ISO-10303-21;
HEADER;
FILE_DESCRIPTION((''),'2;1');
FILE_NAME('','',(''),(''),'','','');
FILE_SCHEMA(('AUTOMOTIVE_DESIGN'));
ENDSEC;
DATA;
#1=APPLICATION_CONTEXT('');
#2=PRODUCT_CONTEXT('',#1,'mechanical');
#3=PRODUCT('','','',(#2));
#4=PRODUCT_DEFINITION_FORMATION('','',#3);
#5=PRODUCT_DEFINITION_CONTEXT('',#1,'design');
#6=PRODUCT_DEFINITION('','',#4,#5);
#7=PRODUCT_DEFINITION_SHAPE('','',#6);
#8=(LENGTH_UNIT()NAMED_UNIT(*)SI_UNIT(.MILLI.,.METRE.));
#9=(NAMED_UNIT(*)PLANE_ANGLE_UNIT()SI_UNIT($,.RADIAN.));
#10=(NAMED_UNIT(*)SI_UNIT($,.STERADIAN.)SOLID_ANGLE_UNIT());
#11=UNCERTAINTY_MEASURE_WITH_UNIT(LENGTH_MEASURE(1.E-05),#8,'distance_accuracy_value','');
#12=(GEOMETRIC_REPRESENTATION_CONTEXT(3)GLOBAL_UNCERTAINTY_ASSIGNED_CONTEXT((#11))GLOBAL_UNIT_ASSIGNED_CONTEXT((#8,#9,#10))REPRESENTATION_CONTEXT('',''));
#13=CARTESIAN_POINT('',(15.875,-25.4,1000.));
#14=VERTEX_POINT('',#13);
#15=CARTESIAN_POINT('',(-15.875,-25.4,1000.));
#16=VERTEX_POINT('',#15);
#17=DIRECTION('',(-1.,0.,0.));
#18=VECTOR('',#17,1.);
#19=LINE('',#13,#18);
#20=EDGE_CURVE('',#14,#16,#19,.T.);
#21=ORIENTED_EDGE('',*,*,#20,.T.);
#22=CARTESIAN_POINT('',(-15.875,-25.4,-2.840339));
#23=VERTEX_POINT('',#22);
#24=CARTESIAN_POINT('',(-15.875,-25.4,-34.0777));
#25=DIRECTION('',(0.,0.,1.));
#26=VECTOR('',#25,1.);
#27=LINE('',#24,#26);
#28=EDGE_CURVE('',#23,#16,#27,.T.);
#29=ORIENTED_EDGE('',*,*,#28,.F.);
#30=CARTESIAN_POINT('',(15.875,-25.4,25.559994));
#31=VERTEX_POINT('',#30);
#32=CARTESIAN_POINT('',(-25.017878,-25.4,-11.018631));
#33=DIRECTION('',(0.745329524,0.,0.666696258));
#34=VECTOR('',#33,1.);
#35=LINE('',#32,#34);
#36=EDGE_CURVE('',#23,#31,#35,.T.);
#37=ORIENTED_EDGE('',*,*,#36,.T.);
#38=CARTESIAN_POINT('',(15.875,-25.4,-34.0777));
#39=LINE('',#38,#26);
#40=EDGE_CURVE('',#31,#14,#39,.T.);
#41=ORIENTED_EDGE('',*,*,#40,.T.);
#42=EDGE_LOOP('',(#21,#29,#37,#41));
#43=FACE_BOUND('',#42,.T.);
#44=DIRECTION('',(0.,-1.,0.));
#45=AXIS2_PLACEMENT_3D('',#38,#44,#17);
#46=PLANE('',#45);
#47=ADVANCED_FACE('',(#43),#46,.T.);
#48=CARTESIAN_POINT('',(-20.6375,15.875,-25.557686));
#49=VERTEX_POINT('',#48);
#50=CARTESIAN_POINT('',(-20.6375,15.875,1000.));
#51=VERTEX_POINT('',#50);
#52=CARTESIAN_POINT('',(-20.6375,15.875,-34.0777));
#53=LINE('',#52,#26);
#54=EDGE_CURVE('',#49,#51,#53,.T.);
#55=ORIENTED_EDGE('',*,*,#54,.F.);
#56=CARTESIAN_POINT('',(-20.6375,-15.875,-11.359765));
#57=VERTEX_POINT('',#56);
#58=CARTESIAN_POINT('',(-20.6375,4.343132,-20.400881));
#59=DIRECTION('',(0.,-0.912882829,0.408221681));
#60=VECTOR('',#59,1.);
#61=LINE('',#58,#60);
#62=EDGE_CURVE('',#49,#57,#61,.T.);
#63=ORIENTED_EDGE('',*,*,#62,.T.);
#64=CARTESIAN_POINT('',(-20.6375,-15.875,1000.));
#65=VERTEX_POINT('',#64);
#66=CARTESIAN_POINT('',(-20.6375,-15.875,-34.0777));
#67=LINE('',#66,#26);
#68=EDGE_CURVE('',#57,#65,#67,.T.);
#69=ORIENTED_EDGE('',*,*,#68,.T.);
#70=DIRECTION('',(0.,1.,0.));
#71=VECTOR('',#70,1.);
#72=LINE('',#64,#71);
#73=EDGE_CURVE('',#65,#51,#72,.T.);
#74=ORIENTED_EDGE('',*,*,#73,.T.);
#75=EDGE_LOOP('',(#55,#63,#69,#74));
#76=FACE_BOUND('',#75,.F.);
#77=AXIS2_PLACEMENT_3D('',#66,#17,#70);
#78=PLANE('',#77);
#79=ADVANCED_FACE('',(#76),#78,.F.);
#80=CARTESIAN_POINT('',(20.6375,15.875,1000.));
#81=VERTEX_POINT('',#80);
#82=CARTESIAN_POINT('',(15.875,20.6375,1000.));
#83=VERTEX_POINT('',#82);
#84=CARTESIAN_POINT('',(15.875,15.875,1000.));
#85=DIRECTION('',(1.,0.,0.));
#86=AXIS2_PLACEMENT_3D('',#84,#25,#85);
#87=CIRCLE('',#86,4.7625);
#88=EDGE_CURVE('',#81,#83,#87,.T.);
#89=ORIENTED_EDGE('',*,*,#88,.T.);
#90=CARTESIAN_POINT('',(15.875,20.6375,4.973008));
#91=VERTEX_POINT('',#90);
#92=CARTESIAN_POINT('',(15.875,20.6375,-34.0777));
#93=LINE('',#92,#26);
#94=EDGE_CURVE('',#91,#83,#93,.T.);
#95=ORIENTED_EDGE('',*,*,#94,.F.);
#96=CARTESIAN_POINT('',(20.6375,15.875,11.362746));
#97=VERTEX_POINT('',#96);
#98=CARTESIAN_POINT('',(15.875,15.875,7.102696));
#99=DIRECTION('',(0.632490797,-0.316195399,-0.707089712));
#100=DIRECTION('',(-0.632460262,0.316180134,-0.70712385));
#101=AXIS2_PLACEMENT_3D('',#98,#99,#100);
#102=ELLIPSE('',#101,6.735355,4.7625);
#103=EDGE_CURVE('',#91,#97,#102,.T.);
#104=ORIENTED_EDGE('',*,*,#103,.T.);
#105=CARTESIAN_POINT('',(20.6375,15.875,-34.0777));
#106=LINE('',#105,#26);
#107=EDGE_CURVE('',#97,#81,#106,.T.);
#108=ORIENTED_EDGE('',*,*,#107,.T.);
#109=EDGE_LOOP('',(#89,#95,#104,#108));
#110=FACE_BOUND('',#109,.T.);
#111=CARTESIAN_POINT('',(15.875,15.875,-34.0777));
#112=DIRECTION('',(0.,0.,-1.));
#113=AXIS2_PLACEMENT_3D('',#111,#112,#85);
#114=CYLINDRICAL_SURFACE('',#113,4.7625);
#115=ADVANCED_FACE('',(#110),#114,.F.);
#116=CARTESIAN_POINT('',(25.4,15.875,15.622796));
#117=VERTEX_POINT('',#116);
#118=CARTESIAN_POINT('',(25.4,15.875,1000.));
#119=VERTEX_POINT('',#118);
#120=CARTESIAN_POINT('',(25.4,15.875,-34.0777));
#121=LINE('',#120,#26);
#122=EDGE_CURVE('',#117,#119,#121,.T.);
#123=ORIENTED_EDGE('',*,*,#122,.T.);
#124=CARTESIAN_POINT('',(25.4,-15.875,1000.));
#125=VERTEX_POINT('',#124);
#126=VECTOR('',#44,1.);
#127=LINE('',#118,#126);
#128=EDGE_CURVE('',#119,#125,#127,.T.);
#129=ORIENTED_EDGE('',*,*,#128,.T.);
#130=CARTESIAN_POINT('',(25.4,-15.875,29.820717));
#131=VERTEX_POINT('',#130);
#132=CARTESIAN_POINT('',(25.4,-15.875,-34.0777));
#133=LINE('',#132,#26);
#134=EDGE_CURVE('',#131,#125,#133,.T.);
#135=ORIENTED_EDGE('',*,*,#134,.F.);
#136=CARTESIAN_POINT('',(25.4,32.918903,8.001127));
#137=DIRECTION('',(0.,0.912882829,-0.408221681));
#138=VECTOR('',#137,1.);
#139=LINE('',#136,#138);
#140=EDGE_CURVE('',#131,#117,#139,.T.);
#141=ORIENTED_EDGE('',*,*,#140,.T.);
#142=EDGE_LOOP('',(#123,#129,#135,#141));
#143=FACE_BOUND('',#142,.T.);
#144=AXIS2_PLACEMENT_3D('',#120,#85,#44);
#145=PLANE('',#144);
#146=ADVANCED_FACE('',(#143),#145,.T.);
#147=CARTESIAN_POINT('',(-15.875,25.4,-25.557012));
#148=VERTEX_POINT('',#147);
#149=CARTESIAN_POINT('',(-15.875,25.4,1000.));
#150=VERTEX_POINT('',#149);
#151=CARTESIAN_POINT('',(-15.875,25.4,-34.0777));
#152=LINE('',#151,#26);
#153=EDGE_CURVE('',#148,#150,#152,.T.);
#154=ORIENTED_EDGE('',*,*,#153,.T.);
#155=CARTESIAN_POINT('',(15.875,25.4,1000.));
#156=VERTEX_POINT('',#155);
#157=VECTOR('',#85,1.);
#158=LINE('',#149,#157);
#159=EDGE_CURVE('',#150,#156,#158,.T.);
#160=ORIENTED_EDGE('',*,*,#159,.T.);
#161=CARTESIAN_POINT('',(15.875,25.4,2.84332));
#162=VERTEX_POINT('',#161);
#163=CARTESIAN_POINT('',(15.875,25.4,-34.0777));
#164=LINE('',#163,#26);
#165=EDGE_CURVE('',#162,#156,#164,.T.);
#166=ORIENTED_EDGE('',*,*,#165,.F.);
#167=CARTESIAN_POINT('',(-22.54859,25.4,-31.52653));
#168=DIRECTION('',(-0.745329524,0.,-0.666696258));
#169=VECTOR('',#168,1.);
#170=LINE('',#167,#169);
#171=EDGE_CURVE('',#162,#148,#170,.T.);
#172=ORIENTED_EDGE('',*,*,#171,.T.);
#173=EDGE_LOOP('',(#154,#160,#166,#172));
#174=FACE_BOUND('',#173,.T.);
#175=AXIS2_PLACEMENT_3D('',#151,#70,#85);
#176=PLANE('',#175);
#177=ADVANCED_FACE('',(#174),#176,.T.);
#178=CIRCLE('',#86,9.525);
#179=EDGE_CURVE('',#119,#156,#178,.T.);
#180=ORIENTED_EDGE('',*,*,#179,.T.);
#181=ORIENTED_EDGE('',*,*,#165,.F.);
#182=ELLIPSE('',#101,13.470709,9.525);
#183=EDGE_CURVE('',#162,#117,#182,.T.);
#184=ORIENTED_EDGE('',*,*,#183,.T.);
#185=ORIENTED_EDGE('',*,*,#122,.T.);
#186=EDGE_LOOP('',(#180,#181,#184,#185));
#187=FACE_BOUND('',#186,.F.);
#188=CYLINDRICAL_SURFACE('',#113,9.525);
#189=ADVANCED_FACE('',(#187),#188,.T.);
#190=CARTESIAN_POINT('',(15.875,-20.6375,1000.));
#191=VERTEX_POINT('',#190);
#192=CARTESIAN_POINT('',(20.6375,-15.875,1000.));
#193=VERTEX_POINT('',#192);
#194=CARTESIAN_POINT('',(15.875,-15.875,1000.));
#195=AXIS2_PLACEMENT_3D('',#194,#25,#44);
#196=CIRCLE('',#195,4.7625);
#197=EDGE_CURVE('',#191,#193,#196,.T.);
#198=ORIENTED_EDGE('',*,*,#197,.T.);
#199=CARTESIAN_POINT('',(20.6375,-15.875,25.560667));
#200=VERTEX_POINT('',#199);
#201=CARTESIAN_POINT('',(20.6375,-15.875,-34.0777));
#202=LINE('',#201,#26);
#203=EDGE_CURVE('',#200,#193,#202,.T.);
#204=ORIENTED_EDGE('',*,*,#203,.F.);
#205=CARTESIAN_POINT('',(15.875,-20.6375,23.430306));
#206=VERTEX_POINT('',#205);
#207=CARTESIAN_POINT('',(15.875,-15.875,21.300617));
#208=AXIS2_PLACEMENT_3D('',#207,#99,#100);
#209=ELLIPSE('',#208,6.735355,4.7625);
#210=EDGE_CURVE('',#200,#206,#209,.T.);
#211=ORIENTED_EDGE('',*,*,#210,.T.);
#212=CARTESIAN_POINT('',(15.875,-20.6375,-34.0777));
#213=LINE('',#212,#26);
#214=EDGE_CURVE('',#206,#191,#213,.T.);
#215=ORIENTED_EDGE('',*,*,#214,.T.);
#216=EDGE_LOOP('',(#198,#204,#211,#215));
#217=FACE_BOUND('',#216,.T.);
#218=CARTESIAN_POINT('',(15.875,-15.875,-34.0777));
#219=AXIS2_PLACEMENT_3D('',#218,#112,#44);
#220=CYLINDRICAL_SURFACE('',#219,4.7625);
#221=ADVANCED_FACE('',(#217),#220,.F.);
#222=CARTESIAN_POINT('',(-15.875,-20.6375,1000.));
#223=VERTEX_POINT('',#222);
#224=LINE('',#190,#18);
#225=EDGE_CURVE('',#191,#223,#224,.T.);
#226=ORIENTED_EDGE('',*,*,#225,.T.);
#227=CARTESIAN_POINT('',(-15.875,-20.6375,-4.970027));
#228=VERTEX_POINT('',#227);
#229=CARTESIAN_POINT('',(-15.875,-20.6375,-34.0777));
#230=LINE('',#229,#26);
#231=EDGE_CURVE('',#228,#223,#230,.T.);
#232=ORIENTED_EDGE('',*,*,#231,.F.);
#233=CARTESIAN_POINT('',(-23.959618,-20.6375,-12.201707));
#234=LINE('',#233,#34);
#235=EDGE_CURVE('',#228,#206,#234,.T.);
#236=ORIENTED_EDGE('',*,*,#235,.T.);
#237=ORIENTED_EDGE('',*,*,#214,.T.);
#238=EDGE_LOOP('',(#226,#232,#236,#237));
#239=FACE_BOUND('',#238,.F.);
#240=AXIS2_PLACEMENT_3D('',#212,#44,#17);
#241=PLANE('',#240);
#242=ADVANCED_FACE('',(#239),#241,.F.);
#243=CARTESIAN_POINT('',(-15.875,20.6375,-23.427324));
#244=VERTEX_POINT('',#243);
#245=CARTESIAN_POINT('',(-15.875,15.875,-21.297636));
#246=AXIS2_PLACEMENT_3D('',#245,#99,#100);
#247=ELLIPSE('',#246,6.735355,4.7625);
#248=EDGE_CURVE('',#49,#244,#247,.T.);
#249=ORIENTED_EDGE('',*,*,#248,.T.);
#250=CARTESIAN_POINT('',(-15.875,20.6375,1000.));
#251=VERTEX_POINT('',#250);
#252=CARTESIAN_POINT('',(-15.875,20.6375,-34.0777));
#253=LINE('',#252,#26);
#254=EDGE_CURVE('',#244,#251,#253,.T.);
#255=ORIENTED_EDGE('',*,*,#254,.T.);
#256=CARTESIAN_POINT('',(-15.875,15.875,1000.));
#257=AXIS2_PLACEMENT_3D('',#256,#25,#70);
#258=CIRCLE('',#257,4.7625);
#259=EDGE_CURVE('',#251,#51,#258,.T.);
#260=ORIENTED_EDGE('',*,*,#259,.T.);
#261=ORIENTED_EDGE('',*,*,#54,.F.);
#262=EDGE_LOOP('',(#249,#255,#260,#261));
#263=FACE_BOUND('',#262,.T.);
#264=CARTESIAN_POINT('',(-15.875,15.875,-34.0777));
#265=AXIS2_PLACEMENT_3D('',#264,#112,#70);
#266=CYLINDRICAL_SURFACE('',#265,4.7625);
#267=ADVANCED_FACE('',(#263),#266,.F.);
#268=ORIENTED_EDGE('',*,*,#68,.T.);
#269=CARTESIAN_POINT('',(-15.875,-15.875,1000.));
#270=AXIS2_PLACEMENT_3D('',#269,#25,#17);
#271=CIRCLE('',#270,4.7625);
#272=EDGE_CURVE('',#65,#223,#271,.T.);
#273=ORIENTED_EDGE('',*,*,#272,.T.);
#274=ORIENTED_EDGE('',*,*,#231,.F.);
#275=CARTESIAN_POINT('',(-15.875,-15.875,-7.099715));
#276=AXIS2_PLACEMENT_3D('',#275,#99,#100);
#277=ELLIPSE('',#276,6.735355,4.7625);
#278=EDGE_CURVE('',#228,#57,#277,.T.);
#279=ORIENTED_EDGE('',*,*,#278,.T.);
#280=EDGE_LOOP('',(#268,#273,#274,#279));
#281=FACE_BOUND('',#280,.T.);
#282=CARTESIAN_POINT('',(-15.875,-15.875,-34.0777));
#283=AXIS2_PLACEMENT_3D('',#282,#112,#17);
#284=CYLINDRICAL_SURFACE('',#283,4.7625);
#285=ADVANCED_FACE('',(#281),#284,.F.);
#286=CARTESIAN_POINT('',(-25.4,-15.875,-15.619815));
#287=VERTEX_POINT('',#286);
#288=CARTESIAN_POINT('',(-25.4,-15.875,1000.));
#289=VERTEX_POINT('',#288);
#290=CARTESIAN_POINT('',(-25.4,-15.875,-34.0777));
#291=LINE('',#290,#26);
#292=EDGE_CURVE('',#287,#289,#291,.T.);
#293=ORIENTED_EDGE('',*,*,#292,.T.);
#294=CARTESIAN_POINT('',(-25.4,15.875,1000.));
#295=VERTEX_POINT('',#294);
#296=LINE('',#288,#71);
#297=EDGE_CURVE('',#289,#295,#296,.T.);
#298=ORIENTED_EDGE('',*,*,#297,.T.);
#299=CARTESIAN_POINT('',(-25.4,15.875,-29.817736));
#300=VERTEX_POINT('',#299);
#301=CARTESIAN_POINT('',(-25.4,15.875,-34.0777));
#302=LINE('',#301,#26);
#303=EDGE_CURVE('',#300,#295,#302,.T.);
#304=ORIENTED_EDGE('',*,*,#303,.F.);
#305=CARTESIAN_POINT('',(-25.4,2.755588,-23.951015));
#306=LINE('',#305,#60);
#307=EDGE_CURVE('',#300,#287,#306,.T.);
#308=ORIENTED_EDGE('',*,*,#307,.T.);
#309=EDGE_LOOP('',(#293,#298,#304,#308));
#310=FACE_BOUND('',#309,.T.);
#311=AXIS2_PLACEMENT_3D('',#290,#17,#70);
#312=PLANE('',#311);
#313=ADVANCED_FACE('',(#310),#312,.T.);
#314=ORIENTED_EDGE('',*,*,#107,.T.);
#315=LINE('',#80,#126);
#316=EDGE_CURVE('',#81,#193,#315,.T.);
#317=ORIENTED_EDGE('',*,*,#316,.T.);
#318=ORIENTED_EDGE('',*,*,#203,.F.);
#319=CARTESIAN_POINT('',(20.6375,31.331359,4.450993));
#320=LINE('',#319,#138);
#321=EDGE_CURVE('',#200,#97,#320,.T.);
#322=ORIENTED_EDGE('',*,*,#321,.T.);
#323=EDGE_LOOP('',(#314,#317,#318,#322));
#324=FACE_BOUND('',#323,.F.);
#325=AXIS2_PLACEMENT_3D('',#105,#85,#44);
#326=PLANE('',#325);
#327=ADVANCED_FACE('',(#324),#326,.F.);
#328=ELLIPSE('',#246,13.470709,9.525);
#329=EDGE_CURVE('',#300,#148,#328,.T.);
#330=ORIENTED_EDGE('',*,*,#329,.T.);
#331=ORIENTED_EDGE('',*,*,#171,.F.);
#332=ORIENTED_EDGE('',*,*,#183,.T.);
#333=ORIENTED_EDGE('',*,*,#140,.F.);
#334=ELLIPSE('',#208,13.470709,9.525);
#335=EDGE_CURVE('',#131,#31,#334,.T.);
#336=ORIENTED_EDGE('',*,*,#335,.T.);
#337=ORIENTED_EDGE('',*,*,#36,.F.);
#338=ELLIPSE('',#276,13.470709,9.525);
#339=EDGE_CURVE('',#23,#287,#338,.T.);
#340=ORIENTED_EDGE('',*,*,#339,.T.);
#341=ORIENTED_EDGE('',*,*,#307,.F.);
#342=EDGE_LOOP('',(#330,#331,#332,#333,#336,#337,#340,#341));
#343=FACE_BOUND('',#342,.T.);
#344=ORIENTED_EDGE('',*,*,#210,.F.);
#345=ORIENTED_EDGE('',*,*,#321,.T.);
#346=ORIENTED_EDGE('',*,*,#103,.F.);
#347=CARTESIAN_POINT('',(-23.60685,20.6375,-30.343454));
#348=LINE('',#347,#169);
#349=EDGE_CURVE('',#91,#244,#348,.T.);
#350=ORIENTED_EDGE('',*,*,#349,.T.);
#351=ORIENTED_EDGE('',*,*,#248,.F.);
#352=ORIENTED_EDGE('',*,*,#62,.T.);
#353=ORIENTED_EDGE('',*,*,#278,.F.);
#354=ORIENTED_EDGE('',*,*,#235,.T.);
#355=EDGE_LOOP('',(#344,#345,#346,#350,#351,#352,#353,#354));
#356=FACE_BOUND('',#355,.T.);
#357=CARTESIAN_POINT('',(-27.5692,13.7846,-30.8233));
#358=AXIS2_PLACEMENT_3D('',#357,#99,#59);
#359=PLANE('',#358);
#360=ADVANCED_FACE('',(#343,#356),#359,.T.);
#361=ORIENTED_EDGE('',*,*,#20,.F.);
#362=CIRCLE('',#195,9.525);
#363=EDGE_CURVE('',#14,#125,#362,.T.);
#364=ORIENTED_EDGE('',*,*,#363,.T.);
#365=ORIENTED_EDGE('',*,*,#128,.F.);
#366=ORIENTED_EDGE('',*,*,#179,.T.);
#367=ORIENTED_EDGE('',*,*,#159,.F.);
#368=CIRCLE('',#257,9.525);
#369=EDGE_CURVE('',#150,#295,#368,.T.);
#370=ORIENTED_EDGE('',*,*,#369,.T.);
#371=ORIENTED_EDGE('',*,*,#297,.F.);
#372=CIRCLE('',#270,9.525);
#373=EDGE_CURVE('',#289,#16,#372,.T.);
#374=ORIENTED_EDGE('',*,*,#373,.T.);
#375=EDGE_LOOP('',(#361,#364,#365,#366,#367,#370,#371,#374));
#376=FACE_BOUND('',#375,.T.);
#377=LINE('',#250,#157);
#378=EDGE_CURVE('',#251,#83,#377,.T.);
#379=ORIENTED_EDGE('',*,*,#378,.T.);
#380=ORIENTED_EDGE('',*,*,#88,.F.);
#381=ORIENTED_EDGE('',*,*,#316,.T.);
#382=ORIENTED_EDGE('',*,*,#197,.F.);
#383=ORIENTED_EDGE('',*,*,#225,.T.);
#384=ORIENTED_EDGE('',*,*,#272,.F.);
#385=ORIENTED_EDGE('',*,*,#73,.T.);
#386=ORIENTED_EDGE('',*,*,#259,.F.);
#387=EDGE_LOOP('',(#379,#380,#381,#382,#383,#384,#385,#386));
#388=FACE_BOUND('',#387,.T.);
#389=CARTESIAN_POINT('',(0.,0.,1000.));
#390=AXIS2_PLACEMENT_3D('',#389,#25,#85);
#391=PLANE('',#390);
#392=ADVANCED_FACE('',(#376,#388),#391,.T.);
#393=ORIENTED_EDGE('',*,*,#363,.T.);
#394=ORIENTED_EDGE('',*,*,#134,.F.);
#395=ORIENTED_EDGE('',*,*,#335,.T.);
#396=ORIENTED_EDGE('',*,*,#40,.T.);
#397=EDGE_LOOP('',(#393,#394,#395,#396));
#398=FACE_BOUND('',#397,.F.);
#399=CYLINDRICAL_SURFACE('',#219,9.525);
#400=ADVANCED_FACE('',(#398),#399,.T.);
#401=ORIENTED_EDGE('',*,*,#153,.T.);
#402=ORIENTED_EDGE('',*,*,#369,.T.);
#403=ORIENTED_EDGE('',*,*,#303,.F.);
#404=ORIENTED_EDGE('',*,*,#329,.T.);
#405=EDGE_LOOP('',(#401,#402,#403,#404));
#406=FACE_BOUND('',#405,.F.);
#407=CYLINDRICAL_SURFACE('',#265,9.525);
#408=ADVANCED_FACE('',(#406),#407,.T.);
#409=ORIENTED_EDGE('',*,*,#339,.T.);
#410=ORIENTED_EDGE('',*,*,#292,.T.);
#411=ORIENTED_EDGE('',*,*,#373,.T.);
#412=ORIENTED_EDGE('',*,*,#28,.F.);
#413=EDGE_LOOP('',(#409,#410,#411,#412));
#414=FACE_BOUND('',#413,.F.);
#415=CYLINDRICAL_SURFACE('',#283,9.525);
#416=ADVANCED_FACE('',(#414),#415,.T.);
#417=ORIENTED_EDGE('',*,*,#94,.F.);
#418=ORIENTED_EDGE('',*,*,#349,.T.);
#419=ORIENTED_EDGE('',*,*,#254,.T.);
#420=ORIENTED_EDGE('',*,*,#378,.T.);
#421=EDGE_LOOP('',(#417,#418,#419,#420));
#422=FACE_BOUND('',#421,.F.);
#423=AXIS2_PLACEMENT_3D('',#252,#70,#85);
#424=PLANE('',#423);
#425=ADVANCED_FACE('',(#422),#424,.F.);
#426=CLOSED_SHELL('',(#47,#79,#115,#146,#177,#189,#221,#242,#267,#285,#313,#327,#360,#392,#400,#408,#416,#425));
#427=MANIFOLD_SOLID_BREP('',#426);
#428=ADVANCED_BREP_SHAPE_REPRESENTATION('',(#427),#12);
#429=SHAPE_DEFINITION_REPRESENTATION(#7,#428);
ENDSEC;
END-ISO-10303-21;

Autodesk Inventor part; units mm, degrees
ref_plane "Plano inicial" through (0, 0, -34.0777) normal (0, 0, 1) x (1, 0, 0)
ref_plane "Plano final" through (0, 0, 1000) normal (0, 0, 1) x (1, 0, 0)
sketch "Esboço" plane through (0, 0, 0) normal (0, 0, 1) x (1, 0, 0)
  line L0 (-25.4, -15.875) -> (-25.4, 15.875)
  line L1 (-15.875, 25.4) -> (15.875, 25.4)
  line L2 (25.4, 15.875) -> (25.4, -15.875)
  line L3 (15.875, -25.4) -> (-15.875, -25.4)
  arc A0 (-25.4, -15.875) -> (-15.875, -25.4) centre (-15.875, -15.875) ccw
  arc A1 (-15.875, 25.4) -> (-25.4, 15.875) centre (-15.875, 15.875) ccw
  arc A2 (25.4, 15.875) -> (15.875, 25.4) centre (15.875, 15.875) ccw
  arc A3 (15.875, -25.4) -> (25.4, -15.875) centre (15.875, -15.875) ccw
  arc A4 (-15.875, 20.6375) -> (-20.6375, 15.875) centre (-15.875, 15.875) ccw
  line L4 (-15.875, 20.6375) -> (15.875, 20.6375)
  arc A5 (20.6375, 15.875) -> (15.875, 20.6375) centre (15.875, 15.875) ccw
  line L5 (20.6375, 15.875) -> (20.6375, -15.875)
  arc A6 (15.875, -20.6375) -> (20.6375, -15.875) centre (15.875, -15.875) ccw
  line L6 (15.875, -20.6375) -> (-15.875, -20.6375)
  arc A7 (-20.6375, -15.875) -> (-15.875, -20.6375) centre (-15.875, -15.875) ccw
  line L7 (-20.6375, -15.875) -> (-20.6375, 15.875)
  line L8 (0, 38.3218) -> (0, -38.3218) construction
  line L9 (-38.3218, 0) -> (38.3218, 0) construction
  dimension "d10" = 50.8
  dimension "d11" = 50.8
  dimension "d12" = 4.7625
  dimension "d15" = 25.4
  dimension "d16" = 25.4
  dimension "d17" = 9.525
extrude "Corpo" add sketch "Esboço" along normal up to surface (1034.0777 mm away) from surface at -34.0777
sketch "Sketch3" plane through (0, 0, 0) normal (0, 0, 1) x (1, 0, 0)
  line L0 (0, 0) -> (10, 0)
ref_plane "Work Plane3" through (0, 0, 0) normal (0, -1, 0) x (1, 0, 0)
sketch "Sketch4" plane through (0, 0, 0) normal (0, -1, 0) x (1, 0, 0)
  line L0 (-2, -34.0777) -> (12, -34.0777)
  line L1 (-2, 1000) -> (12, 1000)
  dimension "d19" = 1034.0777
ref_plane "Plano de trabalho4" through (-27.5692, 13.7846, -30.8233) normal (0.6325, -0.3162, -0.7071) x (-0.3657, 0.6828, -0.6325)
split "Dividir1" plane through (-27.5692, 13.7846, -30.8233) removes the side toward (0.6325, -0.3162, -0.7071)
equation "\"d10\" = G_H"
equation "\"d11\" = G_W"
equation "\"d12\" = G_T"
equation "\"d15\" = 0.5 * d10"
equation "\"d16\" = 0.5 * d11"
equation "\"d17\" = G_IR"
equation "\"d3\" = G_L"
equation "\"G_W\" = 50.8"
equation "\"G_H\" = 50.8"
equation "\"G_T\" = 4.7625"
equation "\"G_IR\" = 9.525"
equation "\"G_L\" = 1030.79958"
equation "\"G_OFFSET_START\" = 34.07768"
equation "\"G_OFFSET_END\" = 0"
equation "\"d13\" = -G_OFFSET_START"
properties part number "AISC - 2 x 2 x 3/16 - 40,583" material "Aço, suave"
